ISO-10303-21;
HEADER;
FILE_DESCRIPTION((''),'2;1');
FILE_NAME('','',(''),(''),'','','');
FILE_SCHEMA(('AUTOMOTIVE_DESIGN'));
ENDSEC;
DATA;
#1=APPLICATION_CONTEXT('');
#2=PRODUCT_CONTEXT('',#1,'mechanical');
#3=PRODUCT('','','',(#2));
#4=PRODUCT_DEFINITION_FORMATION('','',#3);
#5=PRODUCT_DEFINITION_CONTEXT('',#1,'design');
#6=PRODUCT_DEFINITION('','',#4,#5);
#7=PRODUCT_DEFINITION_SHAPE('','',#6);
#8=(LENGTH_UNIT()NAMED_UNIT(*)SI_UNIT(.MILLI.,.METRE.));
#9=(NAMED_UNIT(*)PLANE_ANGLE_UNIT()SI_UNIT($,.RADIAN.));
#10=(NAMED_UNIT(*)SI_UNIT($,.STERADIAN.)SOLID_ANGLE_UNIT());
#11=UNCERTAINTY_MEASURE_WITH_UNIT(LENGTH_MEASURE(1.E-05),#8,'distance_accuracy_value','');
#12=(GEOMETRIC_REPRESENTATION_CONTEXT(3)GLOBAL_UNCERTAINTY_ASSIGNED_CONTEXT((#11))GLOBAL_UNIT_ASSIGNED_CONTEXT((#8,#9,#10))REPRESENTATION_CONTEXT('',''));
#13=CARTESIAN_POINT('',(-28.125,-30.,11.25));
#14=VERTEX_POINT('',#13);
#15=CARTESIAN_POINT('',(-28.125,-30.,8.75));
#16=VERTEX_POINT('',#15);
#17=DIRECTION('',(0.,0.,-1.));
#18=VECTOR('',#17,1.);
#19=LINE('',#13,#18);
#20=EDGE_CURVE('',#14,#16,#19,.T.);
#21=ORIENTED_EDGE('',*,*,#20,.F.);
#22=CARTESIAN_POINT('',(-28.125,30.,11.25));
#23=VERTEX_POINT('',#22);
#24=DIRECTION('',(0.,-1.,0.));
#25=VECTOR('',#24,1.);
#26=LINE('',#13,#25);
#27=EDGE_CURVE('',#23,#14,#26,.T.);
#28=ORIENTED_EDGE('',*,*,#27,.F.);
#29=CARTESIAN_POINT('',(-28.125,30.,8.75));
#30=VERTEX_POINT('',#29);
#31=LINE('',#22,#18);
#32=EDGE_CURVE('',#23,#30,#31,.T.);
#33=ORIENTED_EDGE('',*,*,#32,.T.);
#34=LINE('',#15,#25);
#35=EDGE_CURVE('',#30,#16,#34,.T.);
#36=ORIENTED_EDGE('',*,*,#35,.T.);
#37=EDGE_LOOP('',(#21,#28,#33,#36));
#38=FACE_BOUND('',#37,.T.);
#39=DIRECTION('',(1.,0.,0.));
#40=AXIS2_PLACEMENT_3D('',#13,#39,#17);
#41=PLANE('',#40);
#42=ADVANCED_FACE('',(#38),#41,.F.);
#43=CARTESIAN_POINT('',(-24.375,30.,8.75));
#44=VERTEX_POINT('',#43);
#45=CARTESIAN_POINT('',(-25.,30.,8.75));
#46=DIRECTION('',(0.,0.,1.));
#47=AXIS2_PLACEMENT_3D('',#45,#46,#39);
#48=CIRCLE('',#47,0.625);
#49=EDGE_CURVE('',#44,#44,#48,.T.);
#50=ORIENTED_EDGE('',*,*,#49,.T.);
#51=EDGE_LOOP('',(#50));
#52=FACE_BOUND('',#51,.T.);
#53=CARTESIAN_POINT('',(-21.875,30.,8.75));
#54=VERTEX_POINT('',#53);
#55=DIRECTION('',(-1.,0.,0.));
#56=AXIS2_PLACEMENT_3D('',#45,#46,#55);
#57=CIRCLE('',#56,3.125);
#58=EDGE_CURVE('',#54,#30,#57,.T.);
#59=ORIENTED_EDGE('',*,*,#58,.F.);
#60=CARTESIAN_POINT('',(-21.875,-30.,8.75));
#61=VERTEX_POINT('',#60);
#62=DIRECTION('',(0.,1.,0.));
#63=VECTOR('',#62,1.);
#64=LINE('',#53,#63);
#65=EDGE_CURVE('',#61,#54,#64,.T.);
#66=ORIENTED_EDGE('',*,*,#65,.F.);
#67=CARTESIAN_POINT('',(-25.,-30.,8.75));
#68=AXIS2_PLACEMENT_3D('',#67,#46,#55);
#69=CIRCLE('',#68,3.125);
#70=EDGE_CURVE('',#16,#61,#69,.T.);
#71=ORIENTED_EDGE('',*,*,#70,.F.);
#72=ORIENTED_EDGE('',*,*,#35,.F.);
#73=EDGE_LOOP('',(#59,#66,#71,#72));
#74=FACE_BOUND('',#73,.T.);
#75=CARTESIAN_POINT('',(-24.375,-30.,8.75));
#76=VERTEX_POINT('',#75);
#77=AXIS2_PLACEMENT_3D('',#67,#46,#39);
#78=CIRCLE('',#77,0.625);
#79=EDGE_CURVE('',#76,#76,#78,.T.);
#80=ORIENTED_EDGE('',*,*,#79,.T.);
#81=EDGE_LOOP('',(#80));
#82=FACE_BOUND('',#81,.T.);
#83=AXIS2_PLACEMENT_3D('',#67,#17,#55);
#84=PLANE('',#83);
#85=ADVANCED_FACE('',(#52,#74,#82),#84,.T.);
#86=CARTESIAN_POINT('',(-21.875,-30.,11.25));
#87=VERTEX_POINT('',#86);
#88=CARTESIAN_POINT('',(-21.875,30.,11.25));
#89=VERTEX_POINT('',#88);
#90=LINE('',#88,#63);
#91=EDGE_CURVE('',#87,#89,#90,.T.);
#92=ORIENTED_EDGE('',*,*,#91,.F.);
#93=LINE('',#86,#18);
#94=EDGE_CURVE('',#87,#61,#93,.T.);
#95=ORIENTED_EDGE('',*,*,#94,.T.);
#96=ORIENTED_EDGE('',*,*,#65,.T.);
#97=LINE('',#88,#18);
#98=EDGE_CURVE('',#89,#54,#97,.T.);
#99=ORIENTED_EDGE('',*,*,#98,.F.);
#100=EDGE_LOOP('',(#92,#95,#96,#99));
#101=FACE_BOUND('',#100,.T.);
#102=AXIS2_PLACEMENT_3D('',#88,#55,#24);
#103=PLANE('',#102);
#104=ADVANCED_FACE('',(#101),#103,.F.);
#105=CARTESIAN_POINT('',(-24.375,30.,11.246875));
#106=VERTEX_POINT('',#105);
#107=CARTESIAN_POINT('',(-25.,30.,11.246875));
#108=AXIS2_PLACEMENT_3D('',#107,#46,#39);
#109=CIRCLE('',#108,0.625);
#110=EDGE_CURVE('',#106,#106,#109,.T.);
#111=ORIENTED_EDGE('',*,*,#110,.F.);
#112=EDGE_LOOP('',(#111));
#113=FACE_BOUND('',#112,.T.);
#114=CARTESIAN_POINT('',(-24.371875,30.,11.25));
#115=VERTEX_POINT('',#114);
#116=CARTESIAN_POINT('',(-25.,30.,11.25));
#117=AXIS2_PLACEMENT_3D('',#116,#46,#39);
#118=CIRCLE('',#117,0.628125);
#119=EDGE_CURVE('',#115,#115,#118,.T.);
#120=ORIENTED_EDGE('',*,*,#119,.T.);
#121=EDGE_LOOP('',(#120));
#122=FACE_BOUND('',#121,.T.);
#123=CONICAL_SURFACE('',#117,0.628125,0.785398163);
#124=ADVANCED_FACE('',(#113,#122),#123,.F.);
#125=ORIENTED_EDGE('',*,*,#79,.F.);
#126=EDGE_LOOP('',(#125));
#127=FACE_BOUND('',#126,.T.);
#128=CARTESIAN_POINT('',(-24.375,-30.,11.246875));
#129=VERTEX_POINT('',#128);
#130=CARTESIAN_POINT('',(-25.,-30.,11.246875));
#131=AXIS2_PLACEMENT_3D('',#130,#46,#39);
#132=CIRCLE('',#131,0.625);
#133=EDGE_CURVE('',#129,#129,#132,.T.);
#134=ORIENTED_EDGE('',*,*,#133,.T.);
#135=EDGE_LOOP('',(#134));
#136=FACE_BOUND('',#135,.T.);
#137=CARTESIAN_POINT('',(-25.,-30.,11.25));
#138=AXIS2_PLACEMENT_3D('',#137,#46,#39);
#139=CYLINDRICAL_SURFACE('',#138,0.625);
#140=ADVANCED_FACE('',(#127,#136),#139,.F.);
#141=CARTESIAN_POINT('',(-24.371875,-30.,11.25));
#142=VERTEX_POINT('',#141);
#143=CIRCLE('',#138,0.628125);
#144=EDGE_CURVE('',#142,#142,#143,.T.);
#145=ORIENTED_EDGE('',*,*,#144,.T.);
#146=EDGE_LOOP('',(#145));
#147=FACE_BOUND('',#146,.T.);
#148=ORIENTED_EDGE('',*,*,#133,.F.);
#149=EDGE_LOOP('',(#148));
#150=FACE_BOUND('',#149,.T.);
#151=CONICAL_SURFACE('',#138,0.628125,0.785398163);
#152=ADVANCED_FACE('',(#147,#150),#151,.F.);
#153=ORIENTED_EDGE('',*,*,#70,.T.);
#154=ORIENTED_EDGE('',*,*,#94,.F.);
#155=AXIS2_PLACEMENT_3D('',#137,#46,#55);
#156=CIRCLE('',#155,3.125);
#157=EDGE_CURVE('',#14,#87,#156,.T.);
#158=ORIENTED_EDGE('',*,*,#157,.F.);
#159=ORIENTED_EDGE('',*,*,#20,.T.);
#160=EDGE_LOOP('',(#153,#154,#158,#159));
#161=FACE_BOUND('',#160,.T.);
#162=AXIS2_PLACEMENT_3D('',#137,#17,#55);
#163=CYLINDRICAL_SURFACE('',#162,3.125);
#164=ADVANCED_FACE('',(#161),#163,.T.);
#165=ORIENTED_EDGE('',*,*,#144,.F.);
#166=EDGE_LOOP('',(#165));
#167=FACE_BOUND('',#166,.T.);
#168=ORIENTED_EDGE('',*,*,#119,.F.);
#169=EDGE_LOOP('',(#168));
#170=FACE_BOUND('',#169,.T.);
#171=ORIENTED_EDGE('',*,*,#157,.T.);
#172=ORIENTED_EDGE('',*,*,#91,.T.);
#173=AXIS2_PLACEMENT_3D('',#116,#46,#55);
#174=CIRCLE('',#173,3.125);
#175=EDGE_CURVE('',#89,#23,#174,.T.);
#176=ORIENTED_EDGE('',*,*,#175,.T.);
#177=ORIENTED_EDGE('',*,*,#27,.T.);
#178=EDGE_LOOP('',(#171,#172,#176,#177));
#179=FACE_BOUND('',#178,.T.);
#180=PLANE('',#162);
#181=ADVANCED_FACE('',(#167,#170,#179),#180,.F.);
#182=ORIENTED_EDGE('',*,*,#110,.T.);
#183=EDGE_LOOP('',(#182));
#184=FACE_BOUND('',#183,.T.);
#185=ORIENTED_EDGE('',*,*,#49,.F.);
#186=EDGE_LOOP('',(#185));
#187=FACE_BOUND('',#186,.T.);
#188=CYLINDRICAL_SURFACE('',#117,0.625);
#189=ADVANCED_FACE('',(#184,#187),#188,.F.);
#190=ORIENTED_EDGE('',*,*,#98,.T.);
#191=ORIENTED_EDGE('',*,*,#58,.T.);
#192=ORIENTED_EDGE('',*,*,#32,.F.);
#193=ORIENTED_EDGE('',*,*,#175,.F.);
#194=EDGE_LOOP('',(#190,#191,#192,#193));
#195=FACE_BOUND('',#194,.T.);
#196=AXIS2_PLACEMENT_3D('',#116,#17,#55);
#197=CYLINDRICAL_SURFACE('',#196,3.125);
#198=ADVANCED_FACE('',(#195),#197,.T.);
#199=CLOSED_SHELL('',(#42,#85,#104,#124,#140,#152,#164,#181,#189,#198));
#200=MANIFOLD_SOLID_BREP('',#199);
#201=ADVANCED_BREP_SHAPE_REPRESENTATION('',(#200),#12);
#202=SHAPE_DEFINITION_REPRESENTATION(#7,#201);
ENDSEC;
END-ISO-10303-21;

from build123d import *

# Parameters (mm, degrees)
BOSS_EXTRUDE1_DEPTH              = 20
F_10_0MM_DOWEL_HOLE1_D           = 10
F_10_0MM_DOWEL_HOLE1_CSINK_D     = 10.05
F_10_0MM_DOWEL_HOLE1_CSINK_ANGLE = 90
SCALE1_SCALE                     = 0.125


with BuildPart() as part:
    # Sketch2 → Boss-Extrude1 (new body)
    with BuildSketch(Plane.XY):
        with BuildLine():
            Line((-50, -240), (-50, 240))
            ThreePointArc((-50, 240), (-25, 265), (0, 240))
            Line((0, 240), (0, -240))
            ThreePointArc((0, -240), (-25, -265), (-50, -240))
        make_face()
    extrude(amount=BOSS_EXTRUDE1_DEPTH)

    # Ø10.0mm Dowel Hole1 (through all)
    with Locations(Plane.XY.offset(20)):
        with Locations((-25, 240), (-25, -240)):
            CounterSinkHole(F_10_0MM_DOWEL_HOLE1_D / 2, F_10_0MM_DOWEL_HOLE1_CSINK_D / 2, counter_sink_angle=F_10_0MM_DOWEL_HOLE1_CSINK_ANGLE)


with BuildPart() as part_1:
    # Scale1: scaled about (-25, 0, 9.999999619)
    add(part.part.scale(SCALE1_SCALE).moved(Location((-21.875, 0, 8.749999667))))


solid = part_1.part
